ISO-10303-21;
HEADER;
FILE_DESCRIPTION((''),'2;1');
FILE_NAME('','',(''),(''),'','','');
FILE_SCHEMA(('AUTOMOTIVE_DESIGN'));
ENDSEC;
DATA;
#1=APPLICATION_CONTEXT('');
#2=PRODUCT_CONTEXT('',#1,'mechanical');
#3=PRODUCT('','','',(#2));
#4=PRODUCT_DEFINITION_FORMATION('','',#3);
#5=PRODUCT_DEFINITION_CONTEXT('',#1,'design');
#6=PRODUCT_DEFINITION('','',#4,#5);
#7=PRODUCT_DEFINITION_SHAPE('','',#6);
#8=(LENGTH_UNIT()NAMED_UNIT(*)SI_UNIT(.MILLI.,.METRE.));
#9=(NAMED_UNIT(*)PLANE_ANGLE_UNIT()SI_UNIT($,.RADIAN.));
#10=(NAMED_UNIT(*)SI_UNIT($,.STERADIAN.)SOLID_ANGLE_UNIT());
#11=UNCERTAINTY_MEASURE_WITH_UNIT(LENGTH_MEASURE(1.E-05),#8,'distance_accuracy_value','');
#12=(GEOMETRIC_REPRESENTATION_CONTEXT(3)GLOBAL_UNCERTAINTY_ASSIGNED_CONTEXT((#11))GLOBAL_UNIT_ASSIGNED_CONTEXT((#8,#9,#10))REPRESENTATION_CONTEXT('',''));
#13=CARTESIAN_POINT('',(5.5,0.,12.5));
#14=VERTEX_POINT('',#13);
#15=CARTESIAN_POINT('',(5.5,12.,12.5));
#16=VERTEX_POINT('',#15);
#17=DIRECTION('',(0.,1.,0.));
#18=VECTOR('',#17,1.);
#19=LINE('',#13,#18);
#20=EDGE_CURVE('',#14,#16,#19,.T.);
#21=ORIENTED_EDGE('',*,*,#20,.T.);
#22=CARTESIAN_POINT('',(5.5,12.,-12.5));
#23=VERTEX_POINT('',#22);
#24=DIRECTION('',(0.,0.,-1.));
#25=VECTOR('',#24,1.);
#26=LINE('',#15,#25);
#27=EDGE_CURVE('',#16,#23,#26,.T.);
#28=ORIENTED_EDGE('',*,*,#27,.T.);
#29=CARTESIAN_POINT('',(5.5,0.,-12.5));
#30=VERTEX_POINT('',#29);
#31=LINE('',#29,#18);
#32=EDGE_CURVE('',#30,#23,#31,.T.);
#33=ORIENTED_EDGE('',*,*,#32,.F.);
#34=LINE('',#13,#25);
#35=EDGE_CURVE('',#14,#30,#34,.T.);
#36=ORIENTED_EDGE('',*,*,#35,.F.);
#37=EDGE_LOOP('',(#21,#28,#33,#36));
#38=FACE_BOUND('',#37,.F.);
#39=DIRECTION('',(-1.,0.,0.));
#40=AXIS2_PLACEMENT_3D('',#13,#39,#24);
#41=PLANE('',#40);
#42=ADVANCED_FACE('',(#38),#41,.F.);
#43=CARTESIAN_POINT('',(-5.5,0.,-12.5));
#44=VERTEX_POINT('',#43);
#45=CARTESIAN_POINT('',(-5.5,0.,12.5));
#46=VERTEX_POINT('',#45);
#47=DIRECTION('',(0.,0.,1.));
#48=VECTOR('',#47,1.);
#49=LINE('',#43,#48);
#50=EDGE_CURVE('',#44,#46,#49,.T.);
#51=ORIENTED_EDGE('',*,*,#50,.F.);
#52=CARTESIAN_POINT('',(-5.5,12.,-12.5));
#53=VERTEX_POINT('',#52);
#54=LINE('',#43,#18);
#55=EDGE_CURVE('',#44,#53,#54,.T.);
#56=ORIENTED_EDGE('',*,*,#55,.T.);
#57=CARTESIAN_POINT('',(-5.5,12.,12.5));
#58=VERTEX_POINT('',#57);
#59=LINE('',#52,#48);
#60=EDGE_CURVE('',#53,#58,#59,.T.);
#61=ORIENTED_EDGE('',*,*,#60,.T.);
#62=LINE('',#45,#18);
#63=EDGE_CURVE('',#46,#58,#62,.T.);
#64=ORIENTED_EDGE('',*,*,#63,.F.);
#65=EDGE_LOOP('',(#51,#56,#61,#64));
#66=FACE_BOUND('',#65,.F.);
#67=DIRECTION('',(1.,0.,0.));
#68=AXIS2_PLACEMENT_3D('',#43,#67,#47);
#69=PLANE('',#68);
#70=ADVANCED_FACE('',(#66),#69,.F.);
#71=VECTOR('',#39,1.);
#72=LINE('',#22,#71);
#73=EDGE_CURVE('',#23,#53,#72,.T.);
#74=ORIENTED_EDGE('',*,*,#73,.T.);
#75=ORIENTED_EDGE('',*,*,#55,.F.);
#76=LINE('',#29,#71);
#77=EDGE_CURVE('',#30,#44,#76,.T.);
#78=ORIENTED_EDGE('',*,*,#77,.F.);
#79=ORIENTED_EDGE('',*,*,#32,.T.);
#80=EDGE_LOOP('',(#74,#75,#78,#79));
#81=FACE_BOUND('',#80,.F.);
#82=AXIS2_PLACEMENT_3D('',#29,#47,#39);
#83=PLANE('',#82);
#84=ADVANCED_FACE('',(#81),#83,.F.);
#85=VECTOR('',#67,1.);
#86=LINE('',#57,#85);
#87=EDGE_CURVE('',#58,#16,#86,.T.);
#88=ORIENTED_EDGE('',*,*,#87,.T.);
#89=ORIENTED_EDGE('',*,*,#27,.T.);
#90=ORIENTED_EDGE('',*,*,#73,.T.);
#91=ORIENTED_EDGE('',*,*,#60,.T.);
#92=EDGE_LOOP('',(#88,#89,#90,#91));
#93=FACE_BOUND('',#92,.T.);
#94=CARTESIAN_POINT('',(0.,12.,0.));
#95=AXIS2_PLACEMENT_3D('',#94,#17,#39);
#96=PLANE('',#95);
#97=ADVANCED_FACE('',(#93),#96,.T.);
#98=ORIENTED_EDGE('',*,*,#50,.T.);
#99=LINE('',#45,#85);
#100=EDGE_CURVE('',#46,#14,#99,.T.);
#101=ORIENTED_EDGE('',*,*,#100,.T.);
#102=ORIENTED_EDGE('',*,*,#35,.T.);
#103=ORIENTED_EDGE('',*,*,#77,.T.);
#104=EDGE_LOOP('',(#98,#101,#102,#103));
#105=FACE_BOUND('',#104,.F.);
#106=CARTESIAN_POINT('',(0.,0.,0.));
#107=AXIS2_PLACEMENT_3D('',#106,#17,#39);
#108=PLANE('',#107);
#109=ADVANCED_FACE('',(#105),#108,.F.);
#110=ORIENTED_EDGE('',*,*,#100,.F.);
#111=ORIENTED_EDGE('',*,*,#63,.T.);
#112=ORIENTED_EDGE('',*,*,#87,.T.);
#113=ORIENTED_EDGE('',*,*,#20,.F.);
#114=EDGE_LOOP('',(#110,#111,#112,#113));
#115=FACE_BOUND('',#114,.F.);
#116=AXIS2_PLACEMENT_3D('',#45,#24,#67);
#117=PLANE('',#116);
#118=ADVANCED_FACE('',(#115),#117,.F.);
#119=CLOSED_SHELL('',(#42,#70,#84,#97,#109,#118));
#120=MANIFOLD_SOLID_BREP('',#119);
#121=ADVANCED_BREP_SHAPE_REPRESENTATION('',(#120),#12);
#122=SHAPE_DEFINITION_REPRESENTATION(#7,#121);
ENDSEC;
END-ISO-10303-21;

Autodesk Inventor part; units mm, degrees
ref_plane "YZ Plane" through (0, 0, 0) normal (1, 0, 0) x (0, 1, 0)
ref_plane "XZ Plane" through (0, 0, 0) normal (0, 1, 0) x (-1, 0, 0)
ref_plane "XY Plane" through (0, 0, 0) normal (0, 0, 1) x (1, 0, 0)
sketch "Sketch1" plane through (0, 0, 0) normal (0, 1, 0) x (-1, 0, 0)
  line L0 (5.5, 12.5) -> (-5.5, 12.5)
  line L1 (-5.5, 12.5) -> (-5.5, -12.5)
  line L2 (-5.5, -12.5) -> (5.5, -12.5)
  line L3 (5.5, -12.5) -> (5.5, 12.5)
  line L4 (5.5, 12.5) -> (-5.5, -12.5) construction
  line L5 (-5.5, 12.5) -> (5.5, -12.5) construction
  point P0 (0, 0)
  dimension "d0" = 11
  dimension "d1" = 25
extrude "Extrusion1" add sketch "Sketch1" along normal blind 12
properties part number "FS2A"
